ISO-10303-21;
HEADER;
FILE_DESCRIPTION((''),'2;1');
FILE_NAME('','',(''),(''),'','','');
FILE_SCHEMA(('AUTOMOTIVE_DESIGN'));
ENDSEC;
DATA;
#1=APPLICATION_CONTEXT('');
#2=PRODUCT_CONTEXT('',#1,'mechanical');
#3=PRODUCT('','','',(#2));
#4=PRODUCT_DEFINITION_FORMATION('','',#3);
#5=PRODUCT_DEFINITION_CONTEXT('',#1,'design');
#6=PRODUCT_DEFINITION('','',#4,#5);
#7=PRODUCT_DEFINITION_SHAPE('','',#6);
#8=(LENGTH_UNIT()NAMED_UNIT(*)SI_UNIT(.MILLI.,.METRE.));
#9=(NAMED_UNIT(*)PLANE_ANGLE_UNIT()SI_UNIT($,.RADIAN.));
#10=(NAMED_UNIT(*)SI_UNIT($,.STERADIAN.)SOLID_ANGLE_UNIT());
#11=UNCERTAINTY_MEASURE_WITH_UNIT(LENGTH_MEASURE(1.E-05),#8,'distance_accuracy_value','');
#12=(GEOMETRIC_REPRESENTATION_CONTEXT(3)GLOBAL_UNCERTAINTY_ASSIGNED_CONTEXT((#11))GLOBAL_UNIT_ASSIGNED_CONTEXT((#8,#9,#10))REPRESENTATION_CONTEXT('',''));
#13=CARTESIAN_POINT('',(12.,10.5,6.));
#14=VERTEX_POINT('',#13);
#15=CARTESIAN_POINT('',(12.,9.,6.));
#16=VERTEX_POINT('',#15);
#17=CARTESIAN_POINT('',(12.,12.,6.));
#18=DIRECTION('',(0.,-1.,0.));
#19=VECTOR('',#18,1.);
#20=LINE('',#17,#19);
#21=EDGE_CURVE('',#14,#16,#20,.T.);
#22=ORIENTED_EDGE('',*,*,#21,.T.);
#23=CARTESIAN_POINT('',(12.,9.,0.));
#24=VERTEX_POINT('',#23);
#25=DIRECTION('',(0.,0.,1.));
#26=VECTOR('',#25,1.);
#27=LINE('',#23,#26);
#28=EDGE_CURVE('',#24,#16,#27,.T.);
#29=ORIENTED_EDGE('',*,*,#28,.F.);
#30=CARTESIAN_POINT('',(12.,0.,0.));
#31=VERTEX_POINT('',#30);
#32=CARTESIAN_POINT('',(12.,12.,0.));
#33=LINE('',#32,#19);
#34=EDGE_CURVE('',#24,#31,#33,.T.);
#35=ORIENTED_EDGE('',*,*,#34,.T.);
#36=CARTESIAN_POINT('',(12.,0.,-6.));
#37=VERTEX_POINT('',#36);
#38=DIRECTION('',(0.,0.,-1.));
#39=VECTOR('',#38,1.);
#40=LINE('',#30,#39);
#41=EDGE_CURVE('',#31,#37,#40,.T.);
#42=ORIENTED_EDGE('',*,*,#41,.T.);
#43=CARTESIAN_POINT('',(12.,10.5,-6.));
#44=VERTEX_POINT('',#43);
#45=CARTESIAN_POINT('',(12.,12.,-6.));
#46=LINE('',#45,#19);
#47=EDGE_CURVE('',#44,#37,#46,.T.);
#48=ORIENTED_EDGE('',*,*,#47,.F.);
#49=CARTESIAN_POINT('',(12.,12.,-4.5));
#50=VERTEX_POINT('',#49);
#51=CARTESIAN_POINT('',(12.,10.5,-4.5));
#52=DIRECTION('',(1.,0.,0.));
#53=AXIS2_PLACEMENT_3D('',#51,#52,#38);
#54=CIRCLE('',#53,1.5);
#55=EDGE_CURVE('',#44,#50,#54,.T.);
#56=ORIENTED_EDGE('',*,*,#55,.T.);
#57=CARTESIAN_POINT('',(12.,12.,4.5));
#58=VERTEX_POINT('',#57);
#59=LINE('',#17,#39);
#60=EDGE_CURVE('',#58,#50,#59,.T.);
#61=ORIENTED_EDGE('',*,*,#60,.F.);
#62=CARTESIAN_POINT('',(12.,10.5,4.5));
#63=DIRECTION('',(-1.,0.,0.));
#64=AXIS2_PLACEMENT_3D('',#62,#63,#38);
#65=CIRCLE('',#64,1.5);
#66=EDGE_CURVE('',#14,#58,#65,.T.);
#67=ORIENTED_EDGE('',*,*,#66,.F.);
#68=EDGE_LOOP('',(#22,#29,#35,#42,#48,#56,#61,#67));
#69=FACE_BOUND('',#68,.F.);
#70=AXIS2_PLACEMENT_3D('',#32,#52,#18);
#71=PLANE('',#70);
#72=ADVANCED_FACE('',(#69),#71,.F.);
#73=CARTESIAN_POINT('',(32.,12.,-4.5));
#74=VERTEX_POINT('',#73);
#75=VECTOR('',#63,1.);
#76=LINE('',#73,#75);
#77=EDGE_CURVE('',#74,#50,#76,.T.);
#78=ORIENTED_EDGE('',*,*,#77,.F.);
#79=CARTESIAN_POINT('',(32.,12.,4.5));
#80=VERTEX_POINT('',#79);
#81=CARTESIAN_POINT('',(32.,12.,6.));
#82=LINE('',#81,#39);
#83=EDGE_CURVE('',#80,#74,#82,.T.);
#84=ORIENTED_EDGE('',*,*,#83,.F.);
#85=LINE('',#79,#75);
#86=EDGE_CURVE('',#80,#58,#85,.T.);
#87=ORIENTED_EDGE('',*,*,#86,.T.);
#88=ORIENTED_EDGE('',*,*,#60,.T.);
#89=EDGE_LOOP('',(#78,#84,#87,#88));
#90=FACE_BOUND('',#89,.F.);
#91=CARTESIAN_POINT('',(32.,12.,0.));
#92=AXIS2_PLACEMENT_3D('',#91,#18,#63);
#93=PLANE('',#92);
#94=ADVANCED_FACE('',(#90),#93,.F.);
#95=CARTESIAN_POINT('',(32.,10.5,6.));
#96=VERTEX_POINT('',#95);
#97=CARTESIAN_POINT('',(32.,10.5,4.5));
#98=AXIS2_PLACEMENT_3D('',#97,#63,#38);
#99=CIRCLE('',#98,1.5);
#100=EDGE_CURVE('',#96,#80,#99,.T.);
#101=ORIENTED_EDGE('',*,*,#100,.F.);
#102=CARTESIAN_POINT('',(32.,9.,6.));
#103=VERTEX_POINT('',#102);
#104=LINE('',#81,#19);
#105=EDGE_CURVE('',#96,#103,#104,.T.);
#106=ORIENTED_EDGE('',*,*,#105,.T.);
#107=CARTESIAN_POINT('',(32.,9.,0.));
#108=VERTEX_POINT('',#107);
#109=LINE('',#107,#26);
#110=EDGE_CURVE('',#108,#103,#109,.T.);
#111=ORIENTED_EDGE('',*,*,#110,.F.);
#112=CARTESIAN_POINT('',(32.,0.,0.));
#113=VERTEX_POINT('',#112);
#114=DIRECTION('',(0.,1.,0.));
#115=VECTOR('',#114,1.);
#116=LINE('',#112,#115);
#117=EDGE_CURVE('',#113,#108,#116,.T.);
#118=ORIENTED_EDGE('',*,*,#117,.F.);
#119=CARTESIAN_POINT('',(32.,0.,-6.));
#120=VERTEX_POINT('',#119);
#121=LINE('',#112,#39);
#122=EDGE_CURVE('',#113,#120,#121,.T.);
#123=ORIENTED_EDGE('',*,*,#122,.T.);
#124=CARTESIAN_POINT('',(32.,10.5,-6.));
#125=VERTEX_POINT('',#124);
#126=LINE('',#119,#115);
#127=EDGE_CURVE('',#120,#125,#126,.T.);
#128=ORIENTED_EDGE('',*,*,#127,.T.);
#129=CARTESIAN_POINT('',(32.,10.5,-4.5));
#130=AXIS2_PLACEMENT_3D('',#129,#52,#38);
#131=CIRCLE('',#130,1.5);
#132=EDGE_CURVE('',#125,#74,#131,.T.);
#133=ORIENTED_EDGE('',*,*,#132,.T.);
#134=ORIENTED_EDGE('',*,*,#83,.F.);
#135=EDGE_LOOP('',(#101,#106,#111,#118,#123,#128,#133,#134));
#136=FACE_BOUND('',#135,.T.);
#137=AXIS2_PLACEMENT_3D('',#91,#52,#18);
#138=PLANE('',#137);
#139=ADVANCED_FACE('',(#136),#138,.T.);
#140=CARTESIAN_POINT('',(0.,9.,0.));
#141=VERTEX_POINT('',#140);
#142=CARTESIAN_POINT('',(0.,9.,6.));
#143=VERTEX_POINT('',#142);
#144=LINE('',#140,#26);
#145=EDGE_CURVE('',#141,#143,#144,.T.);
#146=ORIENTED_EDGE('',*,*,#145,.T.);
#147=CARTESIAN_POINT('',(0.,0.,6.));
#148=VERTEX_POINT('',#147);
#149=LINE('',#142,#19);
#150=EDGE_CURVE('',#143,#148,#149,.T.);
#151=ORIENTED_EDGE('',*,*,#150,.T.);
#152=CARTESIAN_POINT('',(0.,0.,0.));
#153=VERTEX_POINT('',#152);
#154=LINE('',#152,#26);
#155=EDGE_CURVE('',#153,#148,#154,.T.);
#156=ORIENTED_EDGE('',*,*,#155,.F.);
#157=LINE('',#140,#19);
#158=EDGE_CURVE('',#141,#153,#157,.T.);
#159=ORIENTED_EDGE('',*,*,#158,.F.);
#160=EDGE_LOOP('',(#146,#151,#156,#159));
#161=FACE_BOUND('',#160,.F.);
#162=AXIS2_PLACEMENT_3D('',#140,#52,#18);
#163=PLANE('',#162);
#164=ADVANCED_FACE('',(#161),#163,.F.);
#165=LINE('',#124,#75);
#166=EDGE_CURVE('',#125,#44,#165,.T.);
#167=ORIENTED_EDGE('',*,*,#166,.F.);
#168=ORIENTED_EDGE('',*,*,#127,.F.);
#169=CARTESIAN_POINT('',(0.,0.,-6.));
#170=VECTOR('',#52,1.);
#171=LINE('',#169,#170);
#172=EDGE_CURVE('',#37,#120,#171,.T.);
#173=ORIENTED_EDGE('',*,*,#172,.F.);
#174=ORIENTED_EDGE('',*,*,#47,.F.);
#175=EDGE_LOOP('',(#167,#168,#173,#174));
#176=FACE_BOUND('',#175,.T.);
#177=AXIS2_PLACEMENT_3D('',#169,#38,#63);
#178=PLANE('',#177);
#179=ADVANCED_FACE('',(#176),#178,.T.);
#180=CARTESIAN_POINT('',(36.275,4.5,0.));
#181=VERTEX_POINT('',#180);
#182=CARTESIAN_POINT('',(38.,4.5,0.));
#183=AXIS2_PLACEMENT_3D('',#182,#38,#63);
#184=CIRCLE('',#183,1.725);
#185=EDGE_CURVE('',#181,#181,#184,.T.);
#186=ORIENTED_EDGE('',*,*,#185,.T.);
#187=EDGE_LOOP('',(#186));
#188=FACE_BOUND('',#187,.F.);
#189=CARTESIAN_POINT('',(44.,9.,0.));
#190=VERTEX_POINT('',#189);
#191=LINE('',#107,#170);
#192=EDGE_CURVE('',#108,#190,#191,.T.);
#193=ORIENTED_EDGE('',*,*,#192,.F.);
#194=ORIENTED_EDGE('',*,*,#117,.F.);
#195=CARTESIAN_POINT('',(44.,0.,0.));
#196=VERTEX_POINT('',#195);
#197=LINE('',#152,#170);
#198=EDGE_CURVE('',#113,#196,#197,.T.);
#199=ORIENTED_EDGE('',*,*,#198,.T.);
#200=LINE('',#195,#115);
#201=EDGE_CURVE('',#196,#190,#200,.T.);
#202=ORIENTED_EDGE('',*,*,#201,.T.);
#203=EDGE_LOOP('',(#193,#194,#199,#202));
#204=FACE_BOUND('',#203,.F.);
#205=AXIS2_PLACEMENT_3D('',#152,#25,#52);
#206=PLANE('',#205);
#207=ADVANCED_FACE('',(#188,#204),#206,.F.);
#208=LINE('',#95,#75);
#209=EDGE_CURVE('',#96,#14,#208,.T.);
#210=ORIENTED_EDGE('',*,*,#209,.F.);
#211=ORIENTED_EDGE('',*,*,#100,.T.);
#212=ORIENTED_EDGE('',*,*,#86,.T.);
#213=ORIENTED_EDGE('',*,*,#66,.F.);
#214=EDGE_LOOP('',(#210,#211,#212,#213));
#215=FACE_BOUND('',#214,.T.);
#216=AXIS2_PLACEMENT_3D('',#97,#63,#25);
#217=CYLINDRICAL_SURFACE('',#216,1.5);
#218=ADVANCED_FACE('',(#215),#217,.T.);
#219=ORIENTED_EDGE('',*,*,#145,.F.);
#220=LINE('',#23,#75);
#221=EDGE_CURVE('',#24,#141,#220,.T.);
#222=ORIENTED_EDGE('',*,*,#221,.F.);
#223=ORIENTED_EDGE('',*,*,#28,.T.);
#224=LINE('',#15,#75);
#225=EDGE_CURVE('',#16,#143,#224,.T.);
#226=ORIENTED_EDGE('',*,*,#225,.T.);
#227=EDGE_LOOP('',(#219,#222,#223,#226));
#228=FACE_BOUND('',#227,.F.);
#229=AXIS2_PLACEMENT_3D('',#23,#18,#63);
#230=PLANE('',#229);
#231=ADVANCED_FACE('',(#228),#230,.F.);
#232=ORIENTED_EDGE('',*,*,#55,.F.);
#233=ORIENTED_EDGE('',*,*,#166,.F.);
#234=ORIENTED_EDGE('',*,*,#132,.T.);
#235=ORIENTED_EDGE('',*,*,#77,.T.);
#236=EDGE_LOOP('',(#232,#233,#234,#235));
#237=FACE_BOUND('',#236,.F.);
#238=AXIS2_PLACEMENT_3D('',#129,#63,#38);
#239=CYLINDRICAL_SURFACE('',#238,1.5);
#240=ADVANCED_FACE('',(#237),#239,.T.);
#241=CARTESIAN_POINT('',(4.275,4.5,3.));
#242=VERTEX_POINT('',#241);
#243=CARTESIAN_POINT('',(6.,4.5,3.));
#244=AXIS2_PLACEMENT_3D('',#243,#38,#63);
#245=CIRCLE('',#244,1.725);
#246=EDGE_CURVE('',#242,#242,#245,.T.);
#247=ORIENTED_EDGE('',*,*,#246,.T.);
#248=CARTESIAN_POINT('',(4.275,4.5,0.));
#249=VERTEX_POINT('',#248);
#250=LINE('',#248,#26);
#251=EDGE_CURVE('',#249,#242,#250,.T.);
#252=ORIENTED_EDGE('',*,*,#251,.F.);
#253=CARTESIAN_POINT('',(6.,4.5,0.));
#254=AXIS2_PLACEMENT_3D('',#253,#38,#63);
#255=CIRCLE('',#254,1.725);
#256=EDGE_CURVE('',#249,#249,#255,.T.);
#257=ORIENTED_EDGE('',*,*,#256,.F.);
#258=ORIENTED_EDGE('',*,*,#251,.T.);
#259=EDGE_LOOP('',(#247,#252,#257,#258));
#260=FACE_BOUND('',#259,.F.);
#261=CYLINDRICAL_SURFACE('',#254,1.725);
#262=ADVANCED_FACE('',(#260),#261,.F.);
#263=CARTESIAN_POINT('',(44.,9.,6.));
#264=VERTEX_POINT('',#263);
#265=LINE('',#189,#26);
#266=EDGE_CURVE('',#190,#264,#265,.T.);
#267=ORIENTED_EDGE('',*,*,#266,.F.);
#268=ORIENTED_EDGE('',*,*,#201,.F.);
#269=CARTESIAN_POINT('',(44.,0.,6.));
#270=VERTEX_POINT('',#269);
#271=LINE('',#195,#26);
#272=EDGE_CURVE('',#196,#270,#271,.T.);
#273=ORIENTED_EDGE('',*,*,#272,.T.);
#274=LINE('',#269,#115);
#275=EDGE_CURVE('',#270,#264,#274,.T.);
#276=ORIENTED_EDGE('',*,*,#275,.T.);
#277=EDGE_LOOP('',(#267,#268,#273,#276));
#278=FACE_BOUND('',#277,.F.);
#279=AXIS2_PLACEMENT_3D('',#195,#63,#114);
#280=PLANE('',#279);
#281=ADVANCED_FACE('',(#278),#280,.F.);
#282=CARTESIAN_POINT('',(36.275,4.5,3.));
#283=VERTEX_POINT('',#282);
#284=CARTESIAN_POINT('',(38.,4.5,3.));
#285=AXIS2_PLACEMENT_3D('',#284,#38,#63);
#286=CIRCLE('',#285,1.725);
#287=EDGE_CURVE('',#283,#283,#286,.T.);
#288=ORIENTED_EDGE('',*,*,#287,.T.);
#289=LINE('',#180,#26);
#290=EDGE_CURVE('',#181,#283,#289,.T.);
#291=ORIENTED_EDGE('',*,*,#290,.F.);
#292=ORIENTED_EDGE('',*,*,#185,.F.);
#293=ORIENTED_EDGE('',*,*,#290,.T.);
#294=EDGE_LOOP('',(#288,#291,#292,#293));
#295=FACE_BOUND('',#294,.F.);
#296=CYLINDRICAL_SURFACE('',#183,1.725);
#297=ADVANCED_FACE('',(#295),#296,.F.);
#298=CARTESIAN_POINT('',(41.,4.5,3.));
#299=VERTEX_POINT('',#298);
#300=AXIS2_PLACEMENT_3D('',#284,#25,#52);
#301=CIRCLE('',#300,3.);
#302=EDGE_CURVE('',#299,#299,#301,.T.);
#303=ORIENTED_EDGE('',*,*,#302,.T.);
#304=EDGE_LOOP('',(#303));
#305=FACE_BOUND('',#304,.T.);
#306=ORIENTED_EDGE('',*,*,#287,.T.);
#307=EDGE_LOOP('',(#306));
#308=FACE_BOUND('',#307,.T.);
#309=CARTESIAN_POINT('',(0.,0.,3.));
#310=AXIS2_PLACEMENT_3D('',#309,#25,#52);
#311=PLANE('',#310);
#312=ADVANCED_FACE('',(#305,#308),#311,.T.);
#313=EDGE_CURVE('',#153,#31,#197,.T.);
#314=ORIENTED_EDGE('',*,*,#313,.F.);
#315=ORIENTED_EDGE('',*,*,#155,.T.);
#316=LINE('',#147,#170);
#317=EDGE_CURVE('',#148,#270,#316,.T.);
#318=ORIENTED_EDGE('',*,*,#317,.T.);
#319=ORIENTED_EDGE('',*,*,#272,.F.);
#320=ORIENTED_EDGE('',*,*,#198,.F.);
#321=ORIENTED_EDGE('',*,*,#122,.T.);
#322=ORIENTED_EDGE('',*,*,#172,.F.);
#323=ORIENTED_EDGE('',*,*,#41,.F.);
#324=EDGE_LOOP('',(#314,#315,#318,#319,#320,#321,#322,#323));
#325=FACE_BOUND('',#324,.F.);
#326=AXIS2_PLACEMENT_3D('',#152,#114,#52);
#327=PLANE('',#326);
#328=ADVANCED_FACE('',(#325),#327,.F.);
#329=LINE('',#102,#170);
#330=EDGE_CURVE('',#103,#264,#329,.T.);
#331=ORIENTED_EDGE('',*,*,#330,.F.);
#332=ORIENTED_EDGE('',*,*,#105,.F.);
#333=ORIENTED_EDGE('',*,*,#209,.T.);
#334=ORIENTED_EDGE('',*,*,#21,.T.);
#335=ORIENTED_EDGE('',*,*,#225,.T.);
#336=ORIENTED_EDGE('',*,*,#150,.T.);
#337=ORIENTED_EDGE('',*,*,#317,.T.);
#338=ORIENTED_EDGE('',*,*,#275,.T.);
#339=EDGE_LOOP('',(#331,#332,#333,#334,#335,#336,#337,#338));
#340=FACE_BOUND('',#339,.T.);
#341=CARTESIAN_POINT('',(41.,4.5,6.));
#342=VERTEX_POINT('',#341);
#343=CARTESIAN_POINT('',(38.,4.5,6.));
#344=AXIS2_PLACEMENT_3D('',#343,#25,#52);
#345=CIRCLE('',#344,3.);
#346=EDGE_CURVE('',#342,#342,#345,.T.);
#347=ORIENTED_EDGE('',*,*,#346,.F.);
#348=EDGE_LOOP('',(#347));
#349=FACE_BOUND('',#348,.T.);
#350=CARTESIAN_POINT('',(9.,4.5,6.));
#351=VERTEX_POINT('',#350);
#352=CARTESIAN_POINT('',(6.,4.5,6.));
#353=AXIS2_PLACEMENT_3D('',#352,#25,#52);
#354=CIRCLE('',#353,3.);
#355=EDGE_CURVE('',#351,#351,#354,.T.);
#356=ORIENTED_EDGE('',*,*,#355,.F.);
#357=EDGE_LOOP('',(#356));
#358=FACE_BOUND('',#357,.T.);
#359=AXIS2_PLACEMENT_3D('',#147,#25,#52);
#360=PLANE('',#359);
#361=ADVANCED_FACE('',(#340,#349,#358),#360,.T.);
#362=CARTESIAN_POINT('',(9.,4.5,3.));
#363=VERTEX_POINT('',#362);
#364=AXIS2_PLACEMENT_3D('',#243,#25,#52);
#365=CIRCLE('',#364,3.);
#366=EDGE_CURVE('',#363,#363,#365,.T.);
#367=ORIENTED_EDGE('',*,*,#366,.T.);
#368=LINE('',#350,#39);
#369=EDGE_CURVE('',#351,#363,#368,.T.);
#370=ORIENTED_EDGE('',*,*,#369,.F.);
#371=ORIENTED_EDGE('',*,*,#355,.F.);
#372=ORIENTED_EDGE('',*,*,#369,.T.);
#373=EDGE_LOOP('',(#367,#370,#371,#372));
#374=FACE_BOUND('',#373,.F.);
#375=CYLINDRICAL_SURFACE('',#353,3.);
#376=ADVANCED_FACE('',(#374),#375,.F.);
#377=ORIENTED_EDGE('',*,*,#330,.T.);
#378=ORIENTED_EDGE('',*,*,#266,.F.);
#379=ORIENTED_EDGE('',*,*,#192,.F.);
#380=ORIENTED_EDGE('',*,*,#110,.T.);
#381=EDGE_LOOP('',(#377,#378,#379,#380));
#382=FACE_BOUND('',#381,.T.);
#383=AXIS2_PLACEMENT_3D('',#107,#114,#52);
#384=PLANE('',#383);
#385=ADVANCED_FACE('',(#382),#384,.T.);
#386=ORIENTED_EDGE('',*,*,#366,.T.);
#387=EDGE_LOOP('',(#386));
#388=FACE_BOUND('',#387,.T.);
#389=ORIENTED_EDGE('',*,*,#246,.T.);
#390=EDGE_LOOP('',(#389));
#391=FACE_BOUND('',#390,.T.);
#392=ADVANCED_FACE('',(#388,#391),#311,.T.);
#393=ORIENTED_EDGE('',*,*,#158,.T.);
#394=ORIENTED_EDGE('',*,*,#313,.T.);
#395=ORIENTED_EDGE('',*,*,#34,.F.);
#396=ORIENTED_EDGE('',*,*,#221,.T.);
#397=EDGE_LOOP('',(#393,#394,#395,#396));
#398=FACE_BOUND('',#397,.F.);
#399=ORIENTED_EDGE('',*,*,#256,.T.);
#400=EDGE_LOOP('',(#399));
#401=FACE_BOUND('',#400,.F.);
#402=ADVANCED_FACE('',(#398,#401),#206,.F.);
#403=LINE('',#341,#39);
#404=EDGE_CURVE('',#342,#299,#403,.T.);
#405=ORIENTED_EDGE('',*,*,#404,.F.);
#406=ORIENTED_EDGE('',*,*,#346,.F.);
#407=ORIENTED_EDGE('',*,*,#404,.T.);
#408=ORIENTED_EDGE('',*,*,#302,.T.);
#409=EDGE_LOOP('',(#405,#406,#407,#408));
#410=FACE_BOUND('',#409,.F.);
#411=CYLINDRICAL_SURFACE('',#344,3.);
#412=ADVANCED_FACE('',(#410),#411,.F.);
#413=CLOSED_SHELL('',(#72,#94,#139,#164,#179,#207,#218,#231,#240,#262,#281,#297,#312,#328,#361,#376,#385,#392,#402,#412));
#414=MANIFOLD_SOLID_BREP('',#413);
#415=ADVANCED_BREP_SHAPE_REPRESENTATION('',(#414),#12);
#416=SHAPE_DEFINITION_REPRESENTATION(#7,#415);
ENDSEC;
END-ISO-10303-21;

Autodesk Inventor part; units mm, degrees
ref_plane "YZ Plane" through (0, 0, 0) normal (1, 0, 0) x (0, 1, 0)
ref_plane "XZ Plane" through (0, 0, 0) normal (0, 1, 0) x (-1, 0, 0)
ref_plane "XY Plane" through (0, 0, 0) normal (0, 0, 1) x (1, 0, 0)
sketch "Sketch1" plane through (0, 0, 0) normal (0, 0, 1) x (1, 0, 0)
  line L0 (0, 0) -> (44, 0)
  line L1 (44, 0) -> (44, 9)
  line L2 (32, 12) -> (12, 12)
  line L3 (0, 9) -> (0, 0)
  line L4 (12, 12) -> (12, 9)
  line L5 (12, 9) -> (0, 9)
  line L6 (32, 12) -> (32, 9)
  line L7 (32, 9) -> (44, 9)
  dimension "d6" = 44
  dimension "d7" = 3
  dimension "d8" = 3
  dimension "d9" = 12
  dimension "d10" = 12
  dimension "d11" = 9
  dimension "d12" = 9
  dimension "d13" = 12
extrude "Extrusion1" add sketch "Sketch1" along normal blind 6
sketch "Sketch2" plane through (0, 0, 0) normal (0, 0, -1) x (-1, 0, 0)
  line L0 (-32, 12) -> (-12, 12) projected
  line L1 (0, 0) -> (-44, 0) projected
  line L2 (-32, 12) -> (-12, 12)
  line L3 (-12, 12) -> (-12, 0)
  line L4 (-12, 0) -> (-32, 0)
  line L5 (-32, 0) -> (-32, 12)
extrude "Extrusion2" add sketch "Sketch2" along normal blind 6
sketch "Sketch3" plane through (0, 0, 0) normal (0, 0, -1) x (-1, 0, 0)
  circle A0 centre (-6, 4.5) radius 1.725
  line L0 (-12, 9) -> (0, 9) projected
  line L1 (0, 9) -> (0, 0) projected
  circle A1 centre (-38, 4.5) radius 1.725
  line L2 (-32, 0) -> (-44, 0) projected
  line L3 (-44, 0) -> (-44, 9) projected
  dimension "d18" = 3.45
  dimension "d19" = 4.5
  dimension "d20" = 6
  dimension "d21" = 3.45
  dimension "d22" = 4.5
  dimension "d23" = 6
extrude "Extrusion3" cut sketch "Sketch3" against normal blind 3
sketch "Sketch4" plane through (0, 0, 6) normal (0, 0, 1) x (1, 0, 0)
  circle A0 centre (6, 4.5) radius 3
  line L0 (12, 9) -> (0, 9) projected
  line L1 (0, 9) -> (0, 0) projected
  circle A1 centre (38, 4.5) radius 1.725 projected
  circle A2 centre (38, 4.5) radius 3
  dimension "d26" = 6
  dimension "d27" = 4.5
  dimension "d28" = 6
  dimension "d29" = 6
extrude "Extrusion4" cut sketch "Sketch4" against normal blind 3 contours A0 | A1 | A2
fillet "Fillet1" radius 1.5 2 edges at (22, 12, 6) (22, 12, -6)
equation "\"d8\" = d7"
equation "\"d10\" = d9"
equation "\"d12\" = d11"
properties part number "beam44mm"
